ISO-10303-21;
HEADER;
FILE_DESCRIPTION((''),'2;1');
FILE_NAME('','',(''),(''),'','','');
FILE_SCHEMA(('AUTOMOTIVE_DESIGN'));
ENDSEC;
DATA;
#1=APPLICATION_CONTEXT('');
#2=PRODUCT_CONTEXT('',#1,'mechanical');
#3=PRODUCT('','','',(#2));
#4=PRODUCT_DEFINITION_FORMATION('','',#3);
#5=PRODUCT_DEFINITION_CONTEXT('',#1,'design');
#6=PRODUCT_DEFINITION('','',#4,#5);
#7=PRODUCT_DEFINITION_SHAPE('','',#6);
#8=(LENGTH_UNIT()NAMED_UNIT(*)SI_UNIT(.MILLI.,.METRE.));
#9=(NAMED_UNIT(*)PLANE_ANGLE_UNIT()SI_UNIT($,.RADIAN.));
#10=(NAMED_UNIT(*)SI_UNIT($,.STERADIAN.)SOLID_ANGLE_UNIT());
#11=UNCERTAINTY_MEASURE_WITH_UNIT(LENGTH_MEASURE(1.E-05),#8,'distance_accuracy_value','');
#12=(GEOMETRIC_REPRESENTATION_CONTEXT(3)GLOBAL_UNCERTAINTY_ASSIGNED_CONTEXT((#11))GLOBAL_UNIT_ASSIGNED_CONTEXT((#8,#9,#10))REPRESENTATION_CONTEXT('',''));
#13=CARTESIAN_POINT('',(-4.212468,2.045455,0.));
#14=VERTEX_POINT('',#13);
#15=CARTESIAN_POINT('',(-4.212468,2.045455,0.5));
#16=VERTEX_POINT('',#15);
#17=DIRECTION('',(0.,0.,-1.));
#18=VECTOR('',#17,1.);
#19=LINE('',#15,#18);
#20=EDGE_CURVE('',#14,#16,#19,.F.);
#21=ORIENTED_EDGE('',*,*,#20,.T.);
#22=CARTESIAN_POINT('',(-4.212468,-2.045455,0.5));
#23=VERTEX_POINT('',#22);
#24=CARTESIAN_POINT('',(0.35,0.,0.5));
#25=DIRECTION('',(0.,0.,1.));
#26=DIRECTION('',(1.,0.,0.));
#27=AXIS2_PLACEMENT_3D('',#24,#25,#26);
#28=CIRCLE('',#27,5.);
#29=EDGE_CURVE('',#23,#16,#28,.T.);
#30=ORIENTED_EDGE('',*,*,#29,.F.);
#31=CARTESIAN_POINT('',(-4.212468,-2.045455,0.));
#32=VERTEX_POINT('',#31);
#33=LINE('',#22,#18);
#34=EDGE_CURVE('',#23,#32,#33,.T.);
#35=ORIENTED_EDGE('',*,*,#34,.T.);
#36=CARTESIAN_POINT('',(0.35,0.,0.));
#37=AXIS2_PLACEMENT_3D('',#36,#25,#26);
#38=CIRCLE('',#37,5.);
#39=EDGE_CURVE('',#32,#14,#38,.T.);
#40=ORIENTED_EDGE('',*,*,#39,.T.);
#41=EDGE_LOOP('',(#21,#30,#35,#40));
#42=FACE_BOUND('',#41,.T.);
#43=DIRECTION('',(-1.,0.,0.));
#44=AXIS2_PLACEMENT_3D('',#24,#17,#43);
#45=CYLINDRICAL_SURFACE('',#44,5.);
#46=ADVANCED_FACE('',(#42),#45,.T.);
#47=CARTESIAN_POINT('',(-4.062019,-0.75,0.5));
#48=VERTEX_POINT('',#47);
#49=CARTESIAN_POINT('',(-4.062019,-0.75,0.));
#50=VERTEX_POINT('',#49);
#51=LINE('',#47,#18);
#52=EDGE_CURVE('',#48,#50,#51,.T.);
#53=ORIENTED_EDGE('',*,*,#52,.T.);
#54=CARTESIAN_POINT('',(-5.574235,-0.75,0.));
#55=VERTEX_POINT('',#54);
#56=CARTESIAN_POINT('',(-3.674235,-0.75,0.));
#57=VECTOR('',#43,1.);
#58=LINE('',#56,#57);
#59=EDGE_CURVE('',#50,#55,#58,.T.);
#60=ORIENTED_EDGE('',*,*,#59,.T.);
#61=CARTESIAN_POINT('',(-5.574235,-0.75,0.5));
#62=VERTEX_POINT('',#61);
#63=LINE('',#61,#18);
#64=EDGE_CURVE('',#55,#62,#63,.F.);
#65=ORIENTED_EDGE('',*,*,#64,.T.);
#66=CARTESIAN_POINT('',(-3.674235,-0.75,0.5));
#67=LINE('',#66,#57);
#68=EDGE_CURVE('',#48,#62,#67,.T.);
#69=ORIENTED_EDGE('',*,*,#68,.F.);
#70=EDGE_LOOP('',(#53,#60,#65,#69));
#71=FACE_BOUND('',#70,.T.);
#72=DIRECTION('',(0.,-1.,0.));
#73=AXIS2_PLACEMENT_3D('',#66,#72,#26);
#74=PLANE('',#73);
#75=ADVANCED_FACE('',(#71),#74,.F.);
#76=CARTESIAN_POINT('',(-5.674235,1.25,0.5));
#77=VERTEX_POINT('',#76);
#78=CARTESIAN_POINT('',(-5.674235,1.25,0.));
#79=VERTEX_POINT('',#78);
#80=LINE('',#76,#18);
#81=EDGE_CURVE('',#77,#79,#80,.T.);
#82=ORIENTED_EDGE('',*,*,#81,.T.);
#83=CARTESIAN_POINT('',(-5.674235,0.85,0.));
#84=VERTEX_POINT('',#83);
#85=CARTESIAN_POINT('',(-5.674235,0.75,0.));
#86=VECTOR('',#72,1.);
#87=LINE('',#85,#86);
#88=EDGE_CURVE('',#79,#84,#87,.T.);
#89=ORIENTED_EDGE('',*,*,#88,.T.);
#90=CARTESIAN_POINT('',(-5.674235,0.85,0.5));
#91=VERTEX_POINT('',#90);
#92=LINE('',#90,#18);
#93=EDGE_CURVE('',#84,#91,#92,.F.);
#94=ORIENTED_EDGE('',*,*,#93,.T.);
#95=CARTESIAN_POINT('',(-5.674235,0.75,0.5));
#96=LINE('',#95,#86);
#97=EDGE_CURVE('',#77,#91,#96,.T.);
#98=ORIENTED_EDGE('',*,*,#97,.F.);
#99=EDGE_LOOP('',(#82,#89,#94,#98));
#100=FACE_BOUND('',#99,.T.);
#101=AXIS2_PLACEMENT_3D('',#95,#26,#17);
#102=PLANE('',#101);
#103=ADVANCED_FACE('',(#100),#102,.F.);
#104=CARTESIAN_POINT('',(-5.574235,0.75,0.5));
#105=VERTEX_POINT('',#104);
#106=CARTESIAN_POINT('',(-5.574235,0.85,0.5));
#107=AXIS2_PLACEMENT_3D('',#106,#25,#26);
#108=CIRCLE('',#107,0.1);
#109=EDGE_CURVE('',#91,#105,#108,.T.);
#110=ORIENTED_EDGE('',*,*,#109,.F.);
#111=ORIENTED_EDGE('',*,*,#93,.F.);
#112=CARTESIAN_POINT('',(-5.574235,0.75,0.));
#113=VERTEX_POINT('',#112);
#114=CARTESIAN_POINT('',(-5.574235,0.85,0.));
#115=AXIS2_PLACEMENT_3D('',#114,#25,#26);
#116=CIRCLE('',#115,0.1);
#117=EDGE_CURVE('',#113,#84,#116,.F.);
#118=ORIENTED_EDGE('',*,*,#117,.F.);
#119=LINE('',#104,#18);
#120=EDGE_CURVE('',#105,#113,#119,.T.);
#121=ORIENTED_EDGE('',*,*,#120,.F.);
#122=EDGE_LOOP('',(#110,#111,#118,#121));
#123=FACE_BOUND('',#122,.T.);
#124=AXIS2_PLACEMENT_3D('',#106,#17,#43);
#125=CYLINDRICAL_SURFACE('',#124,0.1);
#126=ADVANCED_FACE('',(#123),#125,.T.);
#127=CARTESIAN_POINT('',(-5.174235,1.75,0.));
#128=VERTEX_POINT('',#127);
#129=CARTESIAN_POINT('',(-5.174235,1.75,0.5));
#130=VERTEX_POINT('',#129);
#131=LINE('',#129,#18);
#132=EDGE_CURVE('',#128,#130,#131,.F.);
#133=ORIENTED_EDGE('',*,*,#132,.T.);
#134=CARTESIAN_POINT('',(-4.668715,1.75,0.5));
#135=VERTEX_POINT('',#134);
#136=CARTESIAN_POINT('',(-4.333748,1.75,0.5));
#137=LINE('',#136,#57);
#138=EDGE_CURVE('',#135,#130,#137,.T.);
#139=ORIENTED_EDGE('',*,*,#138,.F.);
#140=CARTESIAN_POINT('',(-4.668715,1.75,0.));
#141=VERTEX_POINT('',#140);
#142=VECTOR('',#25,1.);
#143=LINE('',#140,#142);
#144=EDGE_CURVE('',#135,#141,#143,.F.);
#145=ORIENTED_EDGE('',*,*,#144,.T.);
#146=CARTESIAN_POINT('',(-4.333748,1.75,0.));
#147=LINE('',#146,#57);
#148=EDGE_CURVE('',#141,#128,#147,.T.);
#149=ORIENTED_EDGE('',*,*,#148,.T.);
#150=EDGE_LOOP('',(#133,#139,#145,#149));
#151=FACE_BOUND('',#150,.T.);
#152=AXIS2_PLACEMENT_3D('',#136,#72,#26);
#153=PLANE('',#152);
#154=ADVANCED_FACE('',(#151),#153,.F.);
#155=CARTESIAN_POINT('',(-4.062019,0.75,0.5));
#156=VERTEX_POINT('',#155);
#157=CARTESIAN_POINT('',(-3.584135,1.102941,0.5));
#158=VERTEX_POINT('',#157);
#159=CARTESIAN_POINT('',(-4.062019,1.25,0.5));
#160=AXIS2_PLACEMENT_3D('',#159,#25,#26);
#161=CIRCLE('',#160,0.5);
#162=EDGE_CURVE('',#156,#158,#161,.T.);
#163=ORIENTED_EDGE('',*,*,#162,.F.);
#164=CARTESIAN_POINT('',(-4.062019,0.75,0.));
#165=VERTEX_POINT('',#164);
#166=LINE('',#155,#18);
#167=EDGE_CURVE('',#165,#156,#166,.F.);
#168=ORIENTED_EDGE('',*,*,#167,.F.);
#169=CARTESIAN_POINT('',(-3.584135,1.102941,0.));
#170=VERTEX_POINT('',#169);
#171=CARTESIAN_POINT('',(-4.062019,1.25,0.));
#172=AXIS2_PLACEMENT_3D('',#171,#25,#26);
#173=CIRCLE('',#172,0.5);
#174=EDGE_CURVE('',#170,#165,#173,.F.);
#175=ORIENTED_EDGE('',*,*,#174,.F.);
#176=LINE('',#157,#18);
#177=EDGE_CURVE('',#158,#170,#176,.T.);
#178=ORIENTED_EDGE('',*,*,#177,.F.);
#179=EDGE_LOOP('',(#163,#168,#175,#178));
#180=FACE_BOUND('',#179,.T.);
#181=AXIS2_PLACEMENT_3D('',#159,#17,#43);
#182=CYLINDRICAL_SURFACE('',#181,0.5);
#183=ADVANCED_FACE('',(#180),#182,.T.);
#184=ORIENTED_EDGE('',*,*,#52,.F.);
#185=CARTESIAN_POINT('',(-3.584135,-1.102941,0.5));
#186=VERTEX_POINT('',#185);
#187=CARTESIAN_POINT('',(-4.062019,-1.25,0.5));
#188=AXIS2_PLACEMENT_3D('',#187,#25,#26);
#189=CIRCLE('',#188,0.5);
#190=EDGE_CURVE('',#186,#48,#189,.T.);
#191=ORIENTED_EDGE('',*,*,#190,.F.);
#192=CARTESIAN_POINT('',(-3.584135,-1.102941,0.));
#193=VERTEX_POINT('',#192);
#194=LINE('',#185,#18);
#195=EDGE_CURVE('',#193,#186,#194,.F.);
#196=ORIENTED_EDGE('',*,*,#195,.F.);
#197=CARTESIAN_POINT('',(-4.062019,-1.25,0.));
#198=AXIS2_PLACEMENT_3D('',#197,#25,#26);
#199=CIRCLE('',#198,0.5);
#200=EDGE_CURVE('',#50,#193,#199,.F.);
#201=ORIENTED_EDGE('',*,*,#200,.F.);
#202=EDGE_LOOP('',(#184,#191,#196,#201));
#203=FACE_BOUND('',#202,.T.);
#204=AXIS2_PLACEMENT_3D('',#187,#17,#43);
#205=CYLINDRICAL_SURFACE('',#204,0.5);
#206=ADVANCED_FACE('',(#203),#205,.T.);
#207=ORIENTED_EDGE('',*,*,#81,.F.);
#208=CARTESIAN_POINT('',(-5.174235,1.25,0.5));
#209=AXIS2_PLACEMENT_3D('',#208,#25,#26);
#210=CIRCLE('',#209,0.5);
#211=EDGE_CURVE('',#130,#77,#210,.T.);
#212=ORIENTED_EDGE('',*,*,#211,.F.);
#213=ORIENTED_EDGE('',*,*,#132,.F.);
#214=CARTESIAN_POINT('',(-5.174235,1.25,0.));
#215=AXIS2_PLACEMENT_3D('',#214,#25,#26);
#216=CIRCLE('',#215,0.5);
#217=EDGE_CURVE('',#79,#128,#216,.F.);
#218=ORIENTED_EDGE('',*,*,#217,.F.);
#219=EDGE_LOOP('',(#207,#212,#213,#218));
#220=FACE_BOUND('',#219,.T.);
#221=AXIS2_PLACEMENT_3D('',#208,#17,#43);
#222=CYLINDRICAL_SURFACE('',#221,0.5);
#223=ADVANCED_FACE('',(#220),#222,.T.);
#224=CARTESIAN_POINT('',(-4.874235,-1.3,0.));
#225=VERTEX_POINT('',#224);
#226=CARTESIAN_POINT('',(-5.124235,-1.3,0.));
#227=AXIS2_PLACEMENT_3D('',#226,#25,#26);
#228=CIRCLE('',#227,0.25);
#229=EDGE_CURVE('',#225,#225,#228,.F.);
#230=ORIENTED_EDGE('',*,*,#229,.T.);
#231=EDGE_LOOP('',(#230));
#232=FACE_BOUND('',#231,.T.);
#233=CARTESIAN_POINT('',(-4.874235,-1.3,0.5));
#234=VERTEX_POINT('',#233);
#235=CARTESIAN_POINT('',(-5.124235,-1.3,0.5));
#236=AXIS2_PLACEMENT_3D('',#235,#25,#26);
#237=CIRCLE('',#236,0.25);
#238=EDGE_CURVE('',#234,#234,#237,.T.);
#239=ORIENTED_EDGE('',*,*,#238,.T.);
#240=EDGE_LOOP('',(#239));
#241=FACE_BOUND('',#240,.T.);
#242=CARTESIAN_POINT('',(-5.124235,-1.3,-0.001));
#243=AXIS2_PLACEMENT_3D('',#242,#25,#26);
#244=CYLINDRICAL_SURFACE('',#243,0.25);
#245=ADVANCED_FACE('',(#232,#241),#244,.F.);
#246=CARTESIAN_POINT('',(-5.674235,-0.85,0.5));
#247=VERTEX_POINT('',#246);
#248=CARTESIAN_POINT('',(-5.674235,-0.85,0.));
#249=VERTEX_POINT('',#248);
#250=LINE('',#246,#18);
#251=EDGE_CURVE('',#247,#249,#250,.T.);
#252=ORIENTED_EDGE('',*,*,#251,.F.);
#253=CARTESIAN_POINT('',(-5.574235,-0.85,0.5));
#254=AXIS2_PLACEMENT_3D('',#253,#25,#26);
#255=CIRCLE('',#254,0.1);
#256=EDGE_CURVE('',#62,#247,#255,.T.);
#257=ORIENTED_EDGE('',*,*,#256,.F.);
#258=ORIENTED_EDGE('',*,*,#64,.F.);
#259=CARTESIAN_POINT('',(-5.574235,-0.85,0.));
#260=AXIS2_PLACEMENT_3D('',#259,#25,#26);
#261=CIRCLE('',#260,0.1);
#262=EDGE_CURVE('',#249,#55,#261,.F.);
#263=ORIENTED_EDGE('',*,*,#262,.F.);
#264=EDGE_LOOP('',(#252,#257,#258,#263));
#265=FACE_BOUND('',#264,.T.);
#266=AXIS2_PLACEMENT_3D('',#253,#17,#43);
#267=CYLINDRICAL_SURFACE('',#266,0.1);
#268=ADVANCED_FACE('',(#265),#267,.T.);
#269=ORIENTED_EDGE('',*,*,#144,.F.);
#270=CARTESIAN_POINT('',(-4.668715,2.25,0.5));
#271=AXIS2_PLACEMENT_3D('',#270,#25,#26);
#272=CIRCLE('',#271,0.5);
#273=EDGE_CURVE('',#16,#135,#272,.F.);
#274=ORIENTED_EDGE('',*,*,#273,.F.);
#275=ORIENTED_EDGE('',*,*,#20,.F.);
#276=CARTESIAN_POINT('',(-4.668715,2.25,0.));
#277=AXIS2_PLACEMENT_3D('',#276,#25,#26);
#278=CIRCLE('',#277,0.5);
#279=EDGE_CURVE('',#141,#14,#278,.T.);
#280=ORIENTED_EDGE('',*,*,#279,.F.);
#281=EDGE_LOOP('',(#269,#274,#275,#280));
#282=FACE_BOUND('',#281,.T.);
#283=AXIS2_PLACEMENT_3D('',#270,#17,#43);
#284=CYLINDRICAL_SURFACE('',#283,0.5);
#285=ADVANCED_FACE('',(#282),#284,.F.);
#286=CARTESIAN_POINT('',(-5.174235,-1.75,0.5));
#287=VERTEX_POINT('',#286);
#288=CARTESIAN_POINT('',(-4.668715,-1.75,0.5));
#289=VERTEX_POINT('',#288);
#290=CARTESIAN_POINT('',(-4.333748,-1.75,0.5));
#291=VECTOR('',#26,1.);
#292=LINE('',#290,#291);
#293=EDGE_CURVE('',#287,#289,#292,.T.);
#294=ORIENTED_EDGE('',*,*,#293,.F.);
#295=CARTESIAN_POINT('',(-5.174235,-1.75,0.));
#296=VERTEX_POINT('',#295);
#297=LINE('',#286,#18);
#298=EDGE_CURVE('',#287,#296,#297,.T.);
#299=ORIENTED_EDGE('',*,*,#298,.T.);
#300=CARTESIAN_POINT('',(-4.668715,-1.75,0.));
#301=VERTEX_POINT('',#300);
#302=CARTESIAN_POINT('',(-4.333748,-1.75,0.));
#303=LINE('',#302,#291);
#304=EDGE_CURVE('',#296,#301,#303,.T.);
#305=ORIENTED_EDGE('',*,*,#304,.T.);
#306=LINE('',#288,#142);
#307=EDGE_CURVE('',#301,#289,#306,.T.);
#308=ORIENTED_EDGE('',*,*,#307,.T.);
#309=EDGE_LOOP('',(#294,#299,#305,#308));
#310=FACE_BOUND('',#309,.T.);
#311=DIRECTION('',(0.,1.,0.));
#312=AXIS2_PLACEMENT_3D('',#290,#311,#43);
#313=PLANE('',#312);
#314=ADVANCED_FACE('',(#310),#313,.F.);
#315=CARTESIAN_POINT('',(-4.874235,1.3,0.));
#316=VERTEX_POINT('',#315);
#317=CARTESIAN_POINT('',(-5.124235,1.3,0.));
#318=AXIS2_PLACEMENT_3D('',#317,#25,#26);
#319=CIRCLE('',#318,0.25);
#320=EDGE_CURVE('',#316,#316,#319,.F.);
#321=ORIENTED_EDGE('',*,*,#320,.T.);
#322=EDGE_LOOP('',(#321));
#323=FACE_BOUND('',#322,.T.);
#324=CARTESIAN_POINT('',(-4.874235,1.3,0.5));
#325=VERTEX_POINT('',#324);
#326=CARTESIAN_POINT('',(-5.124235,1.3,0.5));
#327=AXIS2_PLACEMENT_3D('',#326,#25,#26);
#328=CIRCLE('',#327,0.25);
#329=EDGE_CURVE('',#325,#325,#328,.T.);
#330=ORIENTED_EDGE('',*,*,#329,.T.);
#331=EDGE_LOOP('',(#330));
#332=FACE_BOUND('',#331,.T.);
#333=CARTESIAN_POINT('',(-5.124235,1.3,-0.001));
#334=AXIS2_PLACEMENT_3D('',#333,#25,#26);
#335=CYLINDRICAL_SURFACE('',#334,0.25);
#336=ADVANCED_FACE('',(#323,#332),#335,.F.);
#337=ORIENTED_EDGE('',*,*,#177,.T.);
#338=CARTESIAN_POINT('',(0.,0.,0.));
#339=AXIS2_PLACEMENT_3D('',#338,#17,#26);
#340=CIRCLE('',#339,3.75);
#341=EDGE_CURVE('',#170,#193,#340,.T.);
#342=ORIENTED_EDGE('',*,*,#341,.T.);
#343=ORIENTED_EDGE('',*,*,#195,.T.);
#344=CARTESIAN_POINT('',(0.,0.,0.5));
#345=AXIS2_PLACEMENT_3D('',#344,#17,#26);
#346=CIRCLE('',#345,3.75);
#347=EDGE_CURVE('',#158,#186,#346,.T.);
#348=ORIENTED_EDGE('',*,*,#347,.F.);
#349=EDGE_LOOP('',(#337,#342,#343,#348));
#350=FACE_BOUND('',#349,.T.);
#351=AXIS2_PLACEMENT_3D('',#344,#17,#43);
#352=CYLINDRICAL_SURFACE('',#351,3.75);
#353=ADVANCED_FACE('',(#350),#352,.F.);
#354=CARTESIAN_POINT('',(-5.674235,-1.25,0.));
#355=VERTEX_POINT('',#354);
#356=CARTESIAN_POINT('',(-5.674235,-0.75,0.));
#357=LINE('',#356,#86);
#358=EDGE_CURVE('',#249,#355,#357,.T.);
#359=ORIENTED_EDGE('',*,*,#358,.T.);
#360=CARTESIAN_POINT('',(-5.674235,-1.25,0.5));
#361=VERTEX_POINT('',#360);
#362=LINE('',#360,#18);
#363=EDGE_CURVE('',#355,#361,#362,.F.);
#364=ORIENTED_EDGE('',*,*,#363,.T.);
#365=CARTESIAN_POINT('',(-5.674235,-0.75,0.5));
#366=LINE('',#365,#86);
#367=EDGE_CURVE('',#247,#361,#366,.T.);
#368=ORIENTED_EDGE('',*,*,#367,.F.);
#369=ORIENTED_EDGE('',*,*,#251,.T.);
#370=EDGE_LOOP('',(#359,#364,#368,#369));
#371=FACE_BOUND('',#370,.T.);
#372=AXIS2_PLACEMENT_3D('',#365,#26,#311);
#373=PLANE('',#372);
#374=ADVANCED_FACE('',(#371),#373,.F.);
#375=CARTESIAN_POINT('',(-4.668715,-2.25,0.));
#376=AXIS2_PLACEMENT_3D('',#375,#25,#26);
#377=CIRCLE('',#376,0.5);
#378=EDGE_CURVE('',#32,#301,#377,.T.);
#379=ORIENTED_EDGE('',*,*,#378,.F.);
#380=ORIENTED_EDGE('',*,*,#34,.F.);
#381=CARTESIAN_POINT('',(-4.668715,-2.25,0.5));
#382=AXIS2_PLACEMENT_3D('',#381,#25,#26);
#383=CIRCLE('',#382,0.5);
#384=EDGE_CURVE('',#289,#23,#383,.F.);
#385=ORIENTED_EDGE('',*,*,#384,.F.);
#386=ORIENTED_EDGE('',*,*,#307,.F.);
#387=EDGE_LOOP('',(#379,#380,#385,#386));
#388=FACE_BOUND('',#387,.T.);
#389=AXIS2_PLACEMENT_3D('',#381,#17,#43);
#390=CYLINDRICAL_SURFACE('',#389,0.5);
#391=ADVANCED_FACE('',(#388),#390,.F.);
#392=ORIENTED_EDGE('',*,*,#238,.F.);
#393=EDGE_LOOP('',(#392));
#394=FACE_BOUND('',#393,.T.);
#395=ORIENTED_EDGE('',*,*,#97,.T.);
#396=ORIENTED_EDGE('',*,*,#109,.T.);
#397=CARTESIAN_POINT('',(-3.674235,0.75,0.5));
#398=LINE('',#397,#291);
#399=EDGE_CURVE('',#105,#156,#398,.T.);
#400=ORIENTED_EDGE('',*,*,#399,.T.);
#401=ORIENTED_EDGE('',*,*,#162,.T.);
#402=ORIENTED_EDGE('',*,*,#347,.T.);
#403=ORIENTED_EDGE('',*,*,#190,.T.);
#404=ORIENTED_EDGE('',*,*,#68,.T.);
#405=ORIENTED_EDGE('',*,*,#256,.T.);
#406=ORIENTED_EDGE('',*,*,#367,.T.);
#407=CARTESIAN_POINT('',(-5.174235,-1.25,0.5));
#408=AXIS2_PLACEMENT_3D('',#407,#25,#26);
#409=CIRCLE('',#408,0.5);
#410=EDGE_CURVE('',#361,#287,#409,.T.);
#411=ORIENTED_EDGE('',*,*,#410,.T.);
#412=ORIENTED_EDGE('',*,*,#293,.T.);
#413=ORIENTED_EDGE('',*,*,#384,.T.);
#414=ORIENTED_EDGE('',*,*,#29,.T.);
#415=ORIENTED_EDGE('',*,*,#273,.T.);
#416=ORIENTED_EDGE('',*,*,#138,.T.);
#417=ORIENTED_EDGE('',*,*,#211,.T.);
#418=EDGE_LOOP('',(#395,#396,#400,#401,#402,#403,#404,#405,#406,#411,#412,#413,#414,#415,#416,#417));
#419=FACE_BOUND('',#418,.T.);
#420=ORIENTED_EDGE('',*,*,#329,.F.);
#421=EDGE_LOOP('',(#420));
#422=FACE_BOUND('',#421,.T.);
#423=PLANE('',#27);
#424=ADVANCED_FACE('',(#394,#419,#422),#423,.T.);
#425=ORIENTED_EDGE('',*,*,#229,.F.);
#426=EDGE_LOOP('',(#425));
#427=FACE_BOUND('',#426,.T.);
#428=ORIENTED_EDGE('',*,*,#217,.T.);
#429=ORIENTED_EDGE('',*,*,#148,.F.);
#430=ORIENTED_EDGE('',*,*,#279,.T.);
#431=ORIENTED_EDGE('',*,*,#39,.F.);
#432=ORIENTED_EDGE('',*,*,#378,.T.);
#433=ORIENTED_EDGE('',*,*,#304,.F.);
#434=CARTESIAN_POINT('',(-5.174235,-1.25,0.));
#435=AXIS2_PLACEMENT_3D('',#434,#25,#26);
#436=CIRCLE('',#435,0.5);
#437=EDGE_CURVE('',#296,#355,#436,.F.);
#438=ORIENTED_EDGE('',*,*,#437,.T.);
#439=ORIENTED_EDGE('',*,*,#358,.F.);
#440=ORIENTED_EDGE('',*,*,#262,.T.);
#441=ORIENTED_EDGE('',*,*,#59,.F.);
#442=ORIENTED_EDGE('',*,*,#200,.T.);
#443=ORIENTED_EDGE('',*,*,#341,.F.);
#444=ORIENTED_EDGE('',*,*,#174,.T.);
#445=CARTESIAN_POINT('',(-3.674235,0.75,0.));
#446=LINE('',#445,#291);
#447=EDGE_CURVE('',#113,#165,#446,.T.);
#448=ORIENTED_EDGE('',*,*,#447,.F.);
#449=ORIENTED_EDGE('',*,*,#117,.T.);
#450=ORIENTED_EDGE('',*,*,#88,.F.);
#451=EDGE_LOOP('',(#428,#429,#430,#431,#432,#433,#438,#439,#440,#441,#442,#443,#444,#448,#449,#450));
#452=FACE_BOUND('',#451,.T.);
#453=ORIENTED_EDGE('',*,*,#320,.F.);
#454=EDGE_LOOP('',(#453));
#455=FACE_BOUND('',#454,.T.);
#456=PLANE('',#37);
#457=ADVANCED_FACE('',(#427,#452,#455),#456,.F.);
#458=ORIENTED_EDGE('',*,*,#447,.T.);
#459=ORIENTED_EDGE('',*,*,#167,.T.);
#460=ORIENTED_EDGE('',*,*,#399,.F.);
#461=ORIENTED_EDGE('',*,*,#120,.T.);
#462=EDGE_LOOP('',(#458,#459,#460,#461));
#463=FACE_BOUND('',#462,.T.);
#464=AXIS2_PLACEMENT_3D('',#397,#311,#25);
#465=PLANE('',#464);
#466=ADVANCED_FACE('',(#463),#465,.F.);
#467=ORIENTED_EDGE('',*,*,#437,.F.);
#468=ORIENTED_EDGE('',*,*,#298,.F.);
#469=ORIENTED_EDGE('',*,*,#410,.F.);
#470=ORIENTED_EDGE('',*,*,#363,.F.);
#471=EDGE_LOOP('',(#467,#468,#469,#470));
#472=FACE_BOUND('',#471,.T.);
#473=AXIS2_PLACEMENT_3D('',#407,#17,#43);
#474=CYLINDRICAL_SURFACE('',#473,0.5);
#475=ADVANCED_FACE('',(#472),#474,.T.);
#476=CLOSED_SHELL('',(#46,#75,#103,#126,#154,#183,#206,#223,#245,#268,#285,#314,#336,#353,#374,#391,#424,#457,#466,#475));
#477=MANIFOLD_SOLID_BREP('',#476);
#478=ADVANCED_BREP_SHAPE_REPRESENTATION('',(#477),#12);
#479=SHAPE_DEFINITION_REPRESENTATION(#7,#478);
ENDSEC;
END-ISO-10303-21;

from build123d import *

# Parameters (mm, degrees)
BOSS_EXTRUDE1_DEPTH = 0.5
FILLET1_R           = 0.5
FILLET2_R           = 0.1
CUT_EXTRUDE1_REACH  = 9.579
SKETCH2_R           = 0.25


with BuildPart() as part:
    # Sketch1 → Boss-Extrude1 (new body)
    with BuildSketch(Plane.XY):
        with BuildLine():
            Line((-3.674234614, 0.75), (-5.674234614, 0.75))
            Line((-5.674234614, 0.75), (-5.674234614, 1.75))
            Line((-5.674234614, 1.75), (-4.333748499, 1.75))
            ThreePointArc((-4.333748499, 1.75), (5.35, 0), (-4.333748499, -1.75))
            Line((-4.333748499, -1.75), (-5.674234614, -1.75))
            Line((-5.674234614, -1.75), (-5.674234614, -0.75))
            Line((-5.674234614, -0.75), (-3.674234614, -0.75))
            ThreePointArc((-3.674234614, -0.75), (3.75, 0), (-3.674234614, 0.75))
        make_face()
    extrude(amount=BOSS_EXTRUDE1_DEPTH)

    # Fillet1
    fillet1_edges = [part.edges().sort_by_distance(p)[0] for p in [
        (-5.674234614, 1.75, 0.25),
        (-4.333748499, 1.75, 0.25),
        (-4.333748499, -1.75, 0.25),
        (-5.674234614, -1.75, 0.25),
        (-3.674234614, -0.75, 0.25),
        (-3.674234614, 0.75, 0.25),
    ]]
    fillet(fillet1_edges, radius=FILLET1_R)

    # Fillet2
    fillet2_edges = [part.edges().sort_by_distance(p)[0] for p in [
        (-5.674234614, -0.75, 0.25),
        (-5.674234614, 0.75, 0.25),
    ]]
    fillet(fillet2_edges, radius=FILLET2_R)

    # Sketch2 → Cut-Extrude1 (cut, up to next)
    with BuildSketch(Plane.XY.offset(0.5), mode=Mode.PRIVATE) as cut_extrude1_sk1:
        with Locations((-5.124234614, 1.3)):
            Circle(SKETCH2_R)
    cut_extrude1_tool1 = extrude(cut_extrude1_sk1.sketch, amount=-CUT_EXTRUDE1_REACH, mode=Mode.PRIVATE) & part.part
    # Sketch2 → Cut-Extrude1 (cut, up to next)
    with BuildSketch(Plane.XY.offset(0.5), mode=Mode.PRIVATE) as cut_extrude1_sk2:
        with Locations((-5.124234614, -1.3)):
            Circle(SKETCH2_R)
    cut_extrude1_tool2 = extrude(cut_extrude1_sk2.sketch, amount=-CUT_EXTRUDE1_REACH, mode=Mode.PRIVATE) & part.part
    add(cut_extrude1_tool1.solids().sort_by_distance((-5.124235, 1.3, 0.5))[0], mode=Mode.SUBTRACT)
    add(cut_extrude1_tool2.solids().sort_by_distance((-5.124235, -1.3, 0.5))[0], mode=Mode.SUBTRACT)


solid = part.part
